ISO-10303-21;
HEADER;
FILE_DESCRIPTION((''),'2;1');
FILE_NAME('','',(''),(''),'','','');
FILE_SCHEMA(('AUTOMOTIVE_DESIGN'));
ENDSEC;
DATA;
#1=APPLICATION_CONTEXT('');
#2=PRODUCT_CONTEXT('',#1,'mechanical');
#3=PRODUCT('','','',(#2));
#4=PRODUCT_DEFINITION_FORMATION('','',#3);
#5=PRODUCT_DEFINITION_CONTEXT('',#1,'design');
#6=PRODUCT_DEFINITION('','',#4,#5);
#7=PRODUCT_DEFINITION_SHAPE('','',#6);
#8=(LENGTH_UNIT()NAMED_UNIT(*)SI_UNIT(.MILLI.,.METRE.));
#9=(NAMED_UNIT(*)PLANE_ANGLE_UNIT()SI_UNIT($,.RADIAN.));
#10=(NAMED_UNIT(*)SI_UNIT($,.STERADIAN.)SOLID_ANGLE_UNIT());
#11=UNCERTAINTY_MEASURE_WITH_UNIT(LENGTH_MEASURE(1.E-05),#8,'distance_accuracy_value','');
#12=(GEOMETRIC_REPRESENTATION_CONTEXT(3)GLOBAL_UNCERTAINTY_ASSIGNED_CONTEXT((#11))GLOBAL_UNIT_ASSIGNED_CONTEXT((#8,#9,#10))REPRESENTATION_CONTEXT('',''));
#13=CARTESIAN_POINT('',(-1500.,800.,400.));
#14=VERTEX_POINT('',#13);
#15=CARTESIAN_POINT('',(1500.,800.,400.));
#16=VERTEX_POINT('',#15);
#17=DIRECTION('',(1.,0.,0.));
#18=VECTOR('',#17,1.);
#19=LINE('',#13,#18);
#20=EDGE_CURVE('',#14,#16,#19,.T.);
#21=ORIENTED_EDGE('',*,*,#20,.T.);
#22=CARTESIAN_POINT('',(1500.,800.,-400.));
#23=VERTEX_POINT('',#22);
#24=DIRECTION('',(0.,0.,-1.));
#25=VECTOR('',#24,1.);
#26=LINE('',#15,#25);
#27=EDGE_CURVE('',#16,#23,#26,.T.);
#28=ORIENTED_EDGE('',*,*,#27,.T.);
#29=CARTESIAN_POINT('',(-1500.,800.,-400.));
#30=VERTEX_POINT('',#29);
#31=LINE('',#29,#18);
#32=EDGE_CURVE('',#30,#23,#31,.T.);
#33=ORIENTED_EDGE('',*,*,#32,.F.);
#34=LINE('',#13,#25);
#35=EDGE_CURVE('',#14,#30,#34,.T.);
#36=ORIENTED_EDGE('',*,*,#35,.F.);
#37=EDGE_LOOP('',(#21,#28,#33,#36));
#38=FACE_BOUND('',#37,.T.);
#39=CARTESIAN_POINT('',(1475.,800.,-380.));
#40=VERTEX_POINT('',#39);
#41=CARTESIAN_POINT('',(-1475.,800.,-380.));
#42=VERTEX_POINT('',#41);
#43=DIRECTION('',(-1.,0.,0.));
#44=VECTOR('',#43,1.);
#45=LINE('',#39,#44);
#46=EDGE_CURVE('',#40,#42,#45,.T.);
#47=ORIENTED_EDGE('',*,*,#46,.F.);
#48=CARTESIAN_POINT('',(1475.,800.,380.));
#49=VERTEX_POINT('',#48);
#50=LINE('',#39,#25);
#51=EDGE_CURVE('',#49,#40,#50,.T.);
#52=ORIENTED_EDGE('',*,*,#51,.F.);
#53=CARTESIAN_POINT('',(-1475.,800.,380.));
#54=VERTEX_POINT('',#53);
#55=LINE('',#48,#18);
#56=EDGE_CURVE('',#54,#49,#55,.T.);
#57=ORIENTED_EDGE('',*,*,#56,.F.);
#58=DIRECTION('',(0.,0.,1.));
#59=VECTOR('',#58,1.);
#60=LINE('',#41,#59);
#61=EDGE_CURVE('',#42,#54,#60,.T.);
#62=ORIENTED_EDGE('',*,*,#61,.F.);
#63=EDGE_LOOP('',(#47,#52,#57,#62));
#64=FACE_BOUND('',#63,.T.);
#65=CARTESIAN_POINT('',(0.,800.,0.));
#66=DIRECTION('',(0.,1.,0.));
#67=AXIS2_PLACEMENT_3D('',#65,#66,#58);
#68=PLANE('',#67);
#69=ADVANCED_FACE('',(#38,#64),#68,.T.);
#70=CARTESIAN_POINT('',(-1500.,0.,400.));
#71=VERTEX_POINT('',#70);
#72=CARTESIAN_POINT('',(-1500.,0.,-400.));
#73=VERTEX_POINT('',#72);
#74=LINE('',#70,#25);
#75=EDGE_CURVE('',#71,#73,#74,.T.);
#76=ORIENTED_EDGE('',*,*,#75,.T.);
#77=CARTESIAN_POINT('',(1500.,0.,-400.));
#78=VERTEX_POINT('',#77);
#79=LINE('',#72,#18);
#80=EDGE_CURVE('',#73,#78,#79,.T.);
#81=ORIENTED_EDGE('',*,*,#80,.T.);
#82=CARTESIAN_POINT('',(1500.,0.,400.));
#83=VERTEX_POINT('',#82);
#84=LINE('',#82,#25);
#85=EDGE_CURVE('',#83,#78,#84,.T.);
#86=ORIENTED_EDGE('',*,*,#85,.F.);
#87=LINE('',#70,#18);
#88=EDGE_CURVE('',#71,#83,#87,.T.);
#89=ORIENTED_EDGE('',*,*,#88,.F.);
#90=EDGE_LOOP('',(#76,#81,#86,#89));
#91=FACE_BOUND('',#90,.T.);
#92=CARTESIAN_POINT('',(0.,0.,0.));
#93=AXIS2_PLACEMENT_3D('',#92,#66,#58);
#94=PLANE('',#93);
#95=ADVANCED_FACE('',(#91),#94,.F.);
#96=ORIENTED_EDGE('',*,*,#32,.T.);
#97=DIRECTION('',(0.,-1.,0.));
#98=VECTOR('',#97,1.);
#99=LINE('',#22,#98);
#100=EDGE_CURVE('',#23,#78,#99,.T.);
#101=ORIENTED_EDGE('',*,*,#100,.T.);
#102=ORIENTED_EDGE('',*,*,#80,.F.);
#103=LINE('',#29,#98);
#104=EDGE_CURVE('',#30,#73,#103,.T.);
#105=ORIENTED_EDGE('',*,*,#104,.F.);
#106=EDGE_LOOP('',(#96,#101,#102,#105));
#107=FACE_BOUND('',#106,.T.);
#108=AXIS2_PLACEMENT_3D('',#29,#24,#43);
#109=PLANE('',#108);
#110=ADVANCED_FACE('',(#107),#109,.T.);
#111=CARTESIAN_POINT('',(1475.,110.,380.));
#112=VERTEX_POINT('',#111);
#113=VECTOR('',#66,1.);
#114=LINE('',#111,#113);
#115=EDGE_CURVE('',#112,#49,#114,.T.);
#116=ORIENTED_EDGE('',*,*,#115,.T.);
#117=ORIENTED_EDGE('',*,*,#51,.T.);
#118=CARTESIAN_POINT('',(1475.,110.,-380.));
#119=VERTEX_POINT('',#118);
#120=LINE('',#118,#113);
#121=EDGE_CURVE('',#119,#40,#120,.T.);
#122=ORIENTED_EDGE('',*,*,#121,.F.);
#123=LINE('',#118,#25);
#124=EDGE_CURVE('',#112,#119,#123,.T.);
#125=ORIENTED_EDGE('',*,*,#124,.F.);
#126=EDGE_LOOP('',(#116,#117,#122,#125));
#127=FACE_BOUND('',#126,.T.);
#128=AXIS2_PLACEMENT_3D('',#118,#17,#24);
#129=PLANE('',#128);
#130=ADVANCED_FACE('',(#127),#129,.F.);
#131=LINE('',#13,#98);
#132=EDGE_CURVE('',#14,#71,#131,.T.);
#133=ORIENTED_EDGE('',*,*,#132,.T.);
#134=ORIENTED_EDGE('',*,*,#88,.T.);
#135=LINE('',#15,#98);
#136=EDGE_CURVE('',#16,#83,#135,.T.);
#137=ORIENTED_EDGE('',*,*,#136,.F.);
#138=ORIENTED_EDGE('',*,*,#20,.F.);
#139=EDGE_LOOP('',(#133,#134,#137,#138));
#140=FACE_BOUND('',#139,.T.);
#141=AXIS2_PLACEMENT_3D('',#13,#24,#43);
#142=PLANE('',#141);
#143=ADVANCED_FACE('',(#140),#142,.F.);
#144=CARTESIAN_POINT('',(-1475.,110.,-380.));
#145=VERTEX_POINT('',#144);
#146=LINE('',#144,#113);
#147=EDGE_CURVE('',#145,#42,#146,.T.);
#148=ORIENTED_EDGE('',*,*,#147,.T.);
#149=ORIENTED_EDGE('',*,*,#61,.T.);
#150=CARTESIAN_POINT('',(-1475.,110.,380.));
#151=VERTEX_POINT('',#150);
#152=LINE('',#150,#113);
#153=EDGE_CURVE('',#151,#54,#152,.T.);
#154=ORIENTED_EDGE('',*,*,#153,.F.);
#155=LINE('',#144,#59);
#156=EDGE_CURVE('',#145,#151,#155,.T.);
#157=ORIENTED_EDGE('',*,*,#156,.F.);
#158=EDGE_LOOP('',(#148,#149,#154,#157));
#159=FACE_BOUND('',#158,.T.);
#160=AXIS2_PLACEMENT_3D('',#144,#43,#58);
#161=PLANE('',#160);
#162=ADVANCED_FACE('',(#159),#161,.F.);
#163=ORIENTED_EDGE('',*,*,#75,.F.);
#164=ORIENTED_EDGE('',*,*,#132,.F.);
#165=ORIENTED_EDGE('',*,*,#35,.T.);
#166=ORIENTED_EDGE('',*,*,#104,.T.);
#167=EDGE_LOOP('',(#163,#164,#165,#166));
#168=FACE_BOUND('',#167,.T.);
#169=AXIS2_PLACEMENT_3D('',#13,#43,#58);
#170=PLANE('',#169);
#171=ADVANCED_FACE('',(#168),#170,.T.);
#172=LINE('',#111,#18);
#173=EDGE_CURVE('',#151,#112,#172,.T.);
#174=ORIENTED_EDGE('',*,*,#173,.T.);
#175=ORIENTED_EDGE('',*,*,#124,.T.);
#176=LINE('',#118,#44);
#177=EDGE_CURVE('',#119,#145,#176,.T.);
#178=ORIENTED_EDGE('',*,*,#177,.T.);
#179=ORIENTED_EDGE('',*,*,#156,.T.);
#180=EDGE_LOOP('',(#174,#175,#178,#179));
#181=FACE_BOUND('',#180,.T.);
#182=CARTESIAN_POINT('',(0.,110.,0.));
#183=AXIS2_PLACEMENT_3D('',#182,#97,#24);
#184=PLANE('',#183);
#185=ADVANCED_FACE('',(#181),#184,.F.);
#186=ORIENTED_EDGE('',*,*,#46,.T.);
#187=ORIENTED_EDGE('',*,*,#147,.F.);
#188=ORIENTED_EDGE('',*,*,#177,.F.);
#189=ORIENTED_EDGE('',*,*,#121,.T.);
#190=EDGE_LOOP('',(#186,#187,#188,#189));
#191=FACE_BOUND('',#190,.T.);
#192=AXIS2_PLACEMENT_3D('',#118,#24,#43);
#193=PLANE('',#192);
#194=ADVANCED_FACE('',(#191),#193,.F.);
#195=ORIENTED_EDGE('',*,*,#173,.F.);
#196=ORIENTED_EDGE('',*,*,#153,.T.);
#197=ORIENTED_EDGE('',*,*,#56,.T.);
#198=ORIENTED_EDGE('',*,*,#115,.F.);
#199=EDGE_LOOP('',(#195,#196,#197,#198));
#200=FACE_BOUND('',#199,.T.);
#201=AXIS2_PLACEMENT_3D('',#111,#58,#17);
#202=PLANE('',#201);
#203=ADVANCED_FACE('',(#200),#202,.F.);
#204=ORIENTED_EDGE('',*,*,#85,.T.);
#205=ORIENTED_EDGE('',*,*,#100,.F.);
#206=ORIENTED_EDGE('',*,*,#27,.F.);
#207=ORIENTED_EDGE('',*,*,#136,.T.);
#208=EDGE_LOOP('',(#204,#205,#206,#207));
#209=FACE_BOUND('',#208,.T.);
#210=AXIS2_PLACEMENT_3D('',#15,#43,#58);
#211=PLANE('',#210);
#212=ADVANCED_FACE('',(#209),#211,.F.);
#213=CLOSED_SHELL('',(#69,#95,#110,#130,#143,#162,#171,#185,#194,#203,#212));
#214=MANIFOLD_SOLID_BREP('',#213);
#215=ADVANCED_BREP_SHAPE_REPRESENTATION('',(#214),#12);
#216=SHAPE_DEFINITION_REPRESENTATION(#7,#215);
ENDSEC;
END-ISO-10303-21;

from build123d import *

# Parameters (mm, degrees)
SKETCH1_W           = 3000
SKETCH1_H           = 800
BOSS_EXTRUDE2_DEPTH = 800
SKETCH2_W           = 2950
SKETCH2_H           = 760
CUT_EXTRUDE1_DEPTH  = 690


with BuildPart() as part:
    # Sketch1 → Boss-Extrude2 (new body)
    with BuildSketch(Plane(origin=(0, 0, 0), x_dir=(1, 0, 0), z_dir=(0, 1, 0))):
        Rectangle(SKETCH1_W, SKETCH1_H)
    extrude(amount=BOSS_EXTRUDE2_DEPTH)

    # Sketch2 → Cut-Extrude1 (cut)
    with BuildSketch(Plane(origin=(0, 800, 0), x_dir=(1, 0, 0), z_dir=(0, 1, 0))):
        Rectangle(SKETCH2_W, SKETCH2_H)
    extrude(amount=-CUT_EXTRUDE1_DEPTH, mode=Mode.SUBTRACT)


solid = part.part
